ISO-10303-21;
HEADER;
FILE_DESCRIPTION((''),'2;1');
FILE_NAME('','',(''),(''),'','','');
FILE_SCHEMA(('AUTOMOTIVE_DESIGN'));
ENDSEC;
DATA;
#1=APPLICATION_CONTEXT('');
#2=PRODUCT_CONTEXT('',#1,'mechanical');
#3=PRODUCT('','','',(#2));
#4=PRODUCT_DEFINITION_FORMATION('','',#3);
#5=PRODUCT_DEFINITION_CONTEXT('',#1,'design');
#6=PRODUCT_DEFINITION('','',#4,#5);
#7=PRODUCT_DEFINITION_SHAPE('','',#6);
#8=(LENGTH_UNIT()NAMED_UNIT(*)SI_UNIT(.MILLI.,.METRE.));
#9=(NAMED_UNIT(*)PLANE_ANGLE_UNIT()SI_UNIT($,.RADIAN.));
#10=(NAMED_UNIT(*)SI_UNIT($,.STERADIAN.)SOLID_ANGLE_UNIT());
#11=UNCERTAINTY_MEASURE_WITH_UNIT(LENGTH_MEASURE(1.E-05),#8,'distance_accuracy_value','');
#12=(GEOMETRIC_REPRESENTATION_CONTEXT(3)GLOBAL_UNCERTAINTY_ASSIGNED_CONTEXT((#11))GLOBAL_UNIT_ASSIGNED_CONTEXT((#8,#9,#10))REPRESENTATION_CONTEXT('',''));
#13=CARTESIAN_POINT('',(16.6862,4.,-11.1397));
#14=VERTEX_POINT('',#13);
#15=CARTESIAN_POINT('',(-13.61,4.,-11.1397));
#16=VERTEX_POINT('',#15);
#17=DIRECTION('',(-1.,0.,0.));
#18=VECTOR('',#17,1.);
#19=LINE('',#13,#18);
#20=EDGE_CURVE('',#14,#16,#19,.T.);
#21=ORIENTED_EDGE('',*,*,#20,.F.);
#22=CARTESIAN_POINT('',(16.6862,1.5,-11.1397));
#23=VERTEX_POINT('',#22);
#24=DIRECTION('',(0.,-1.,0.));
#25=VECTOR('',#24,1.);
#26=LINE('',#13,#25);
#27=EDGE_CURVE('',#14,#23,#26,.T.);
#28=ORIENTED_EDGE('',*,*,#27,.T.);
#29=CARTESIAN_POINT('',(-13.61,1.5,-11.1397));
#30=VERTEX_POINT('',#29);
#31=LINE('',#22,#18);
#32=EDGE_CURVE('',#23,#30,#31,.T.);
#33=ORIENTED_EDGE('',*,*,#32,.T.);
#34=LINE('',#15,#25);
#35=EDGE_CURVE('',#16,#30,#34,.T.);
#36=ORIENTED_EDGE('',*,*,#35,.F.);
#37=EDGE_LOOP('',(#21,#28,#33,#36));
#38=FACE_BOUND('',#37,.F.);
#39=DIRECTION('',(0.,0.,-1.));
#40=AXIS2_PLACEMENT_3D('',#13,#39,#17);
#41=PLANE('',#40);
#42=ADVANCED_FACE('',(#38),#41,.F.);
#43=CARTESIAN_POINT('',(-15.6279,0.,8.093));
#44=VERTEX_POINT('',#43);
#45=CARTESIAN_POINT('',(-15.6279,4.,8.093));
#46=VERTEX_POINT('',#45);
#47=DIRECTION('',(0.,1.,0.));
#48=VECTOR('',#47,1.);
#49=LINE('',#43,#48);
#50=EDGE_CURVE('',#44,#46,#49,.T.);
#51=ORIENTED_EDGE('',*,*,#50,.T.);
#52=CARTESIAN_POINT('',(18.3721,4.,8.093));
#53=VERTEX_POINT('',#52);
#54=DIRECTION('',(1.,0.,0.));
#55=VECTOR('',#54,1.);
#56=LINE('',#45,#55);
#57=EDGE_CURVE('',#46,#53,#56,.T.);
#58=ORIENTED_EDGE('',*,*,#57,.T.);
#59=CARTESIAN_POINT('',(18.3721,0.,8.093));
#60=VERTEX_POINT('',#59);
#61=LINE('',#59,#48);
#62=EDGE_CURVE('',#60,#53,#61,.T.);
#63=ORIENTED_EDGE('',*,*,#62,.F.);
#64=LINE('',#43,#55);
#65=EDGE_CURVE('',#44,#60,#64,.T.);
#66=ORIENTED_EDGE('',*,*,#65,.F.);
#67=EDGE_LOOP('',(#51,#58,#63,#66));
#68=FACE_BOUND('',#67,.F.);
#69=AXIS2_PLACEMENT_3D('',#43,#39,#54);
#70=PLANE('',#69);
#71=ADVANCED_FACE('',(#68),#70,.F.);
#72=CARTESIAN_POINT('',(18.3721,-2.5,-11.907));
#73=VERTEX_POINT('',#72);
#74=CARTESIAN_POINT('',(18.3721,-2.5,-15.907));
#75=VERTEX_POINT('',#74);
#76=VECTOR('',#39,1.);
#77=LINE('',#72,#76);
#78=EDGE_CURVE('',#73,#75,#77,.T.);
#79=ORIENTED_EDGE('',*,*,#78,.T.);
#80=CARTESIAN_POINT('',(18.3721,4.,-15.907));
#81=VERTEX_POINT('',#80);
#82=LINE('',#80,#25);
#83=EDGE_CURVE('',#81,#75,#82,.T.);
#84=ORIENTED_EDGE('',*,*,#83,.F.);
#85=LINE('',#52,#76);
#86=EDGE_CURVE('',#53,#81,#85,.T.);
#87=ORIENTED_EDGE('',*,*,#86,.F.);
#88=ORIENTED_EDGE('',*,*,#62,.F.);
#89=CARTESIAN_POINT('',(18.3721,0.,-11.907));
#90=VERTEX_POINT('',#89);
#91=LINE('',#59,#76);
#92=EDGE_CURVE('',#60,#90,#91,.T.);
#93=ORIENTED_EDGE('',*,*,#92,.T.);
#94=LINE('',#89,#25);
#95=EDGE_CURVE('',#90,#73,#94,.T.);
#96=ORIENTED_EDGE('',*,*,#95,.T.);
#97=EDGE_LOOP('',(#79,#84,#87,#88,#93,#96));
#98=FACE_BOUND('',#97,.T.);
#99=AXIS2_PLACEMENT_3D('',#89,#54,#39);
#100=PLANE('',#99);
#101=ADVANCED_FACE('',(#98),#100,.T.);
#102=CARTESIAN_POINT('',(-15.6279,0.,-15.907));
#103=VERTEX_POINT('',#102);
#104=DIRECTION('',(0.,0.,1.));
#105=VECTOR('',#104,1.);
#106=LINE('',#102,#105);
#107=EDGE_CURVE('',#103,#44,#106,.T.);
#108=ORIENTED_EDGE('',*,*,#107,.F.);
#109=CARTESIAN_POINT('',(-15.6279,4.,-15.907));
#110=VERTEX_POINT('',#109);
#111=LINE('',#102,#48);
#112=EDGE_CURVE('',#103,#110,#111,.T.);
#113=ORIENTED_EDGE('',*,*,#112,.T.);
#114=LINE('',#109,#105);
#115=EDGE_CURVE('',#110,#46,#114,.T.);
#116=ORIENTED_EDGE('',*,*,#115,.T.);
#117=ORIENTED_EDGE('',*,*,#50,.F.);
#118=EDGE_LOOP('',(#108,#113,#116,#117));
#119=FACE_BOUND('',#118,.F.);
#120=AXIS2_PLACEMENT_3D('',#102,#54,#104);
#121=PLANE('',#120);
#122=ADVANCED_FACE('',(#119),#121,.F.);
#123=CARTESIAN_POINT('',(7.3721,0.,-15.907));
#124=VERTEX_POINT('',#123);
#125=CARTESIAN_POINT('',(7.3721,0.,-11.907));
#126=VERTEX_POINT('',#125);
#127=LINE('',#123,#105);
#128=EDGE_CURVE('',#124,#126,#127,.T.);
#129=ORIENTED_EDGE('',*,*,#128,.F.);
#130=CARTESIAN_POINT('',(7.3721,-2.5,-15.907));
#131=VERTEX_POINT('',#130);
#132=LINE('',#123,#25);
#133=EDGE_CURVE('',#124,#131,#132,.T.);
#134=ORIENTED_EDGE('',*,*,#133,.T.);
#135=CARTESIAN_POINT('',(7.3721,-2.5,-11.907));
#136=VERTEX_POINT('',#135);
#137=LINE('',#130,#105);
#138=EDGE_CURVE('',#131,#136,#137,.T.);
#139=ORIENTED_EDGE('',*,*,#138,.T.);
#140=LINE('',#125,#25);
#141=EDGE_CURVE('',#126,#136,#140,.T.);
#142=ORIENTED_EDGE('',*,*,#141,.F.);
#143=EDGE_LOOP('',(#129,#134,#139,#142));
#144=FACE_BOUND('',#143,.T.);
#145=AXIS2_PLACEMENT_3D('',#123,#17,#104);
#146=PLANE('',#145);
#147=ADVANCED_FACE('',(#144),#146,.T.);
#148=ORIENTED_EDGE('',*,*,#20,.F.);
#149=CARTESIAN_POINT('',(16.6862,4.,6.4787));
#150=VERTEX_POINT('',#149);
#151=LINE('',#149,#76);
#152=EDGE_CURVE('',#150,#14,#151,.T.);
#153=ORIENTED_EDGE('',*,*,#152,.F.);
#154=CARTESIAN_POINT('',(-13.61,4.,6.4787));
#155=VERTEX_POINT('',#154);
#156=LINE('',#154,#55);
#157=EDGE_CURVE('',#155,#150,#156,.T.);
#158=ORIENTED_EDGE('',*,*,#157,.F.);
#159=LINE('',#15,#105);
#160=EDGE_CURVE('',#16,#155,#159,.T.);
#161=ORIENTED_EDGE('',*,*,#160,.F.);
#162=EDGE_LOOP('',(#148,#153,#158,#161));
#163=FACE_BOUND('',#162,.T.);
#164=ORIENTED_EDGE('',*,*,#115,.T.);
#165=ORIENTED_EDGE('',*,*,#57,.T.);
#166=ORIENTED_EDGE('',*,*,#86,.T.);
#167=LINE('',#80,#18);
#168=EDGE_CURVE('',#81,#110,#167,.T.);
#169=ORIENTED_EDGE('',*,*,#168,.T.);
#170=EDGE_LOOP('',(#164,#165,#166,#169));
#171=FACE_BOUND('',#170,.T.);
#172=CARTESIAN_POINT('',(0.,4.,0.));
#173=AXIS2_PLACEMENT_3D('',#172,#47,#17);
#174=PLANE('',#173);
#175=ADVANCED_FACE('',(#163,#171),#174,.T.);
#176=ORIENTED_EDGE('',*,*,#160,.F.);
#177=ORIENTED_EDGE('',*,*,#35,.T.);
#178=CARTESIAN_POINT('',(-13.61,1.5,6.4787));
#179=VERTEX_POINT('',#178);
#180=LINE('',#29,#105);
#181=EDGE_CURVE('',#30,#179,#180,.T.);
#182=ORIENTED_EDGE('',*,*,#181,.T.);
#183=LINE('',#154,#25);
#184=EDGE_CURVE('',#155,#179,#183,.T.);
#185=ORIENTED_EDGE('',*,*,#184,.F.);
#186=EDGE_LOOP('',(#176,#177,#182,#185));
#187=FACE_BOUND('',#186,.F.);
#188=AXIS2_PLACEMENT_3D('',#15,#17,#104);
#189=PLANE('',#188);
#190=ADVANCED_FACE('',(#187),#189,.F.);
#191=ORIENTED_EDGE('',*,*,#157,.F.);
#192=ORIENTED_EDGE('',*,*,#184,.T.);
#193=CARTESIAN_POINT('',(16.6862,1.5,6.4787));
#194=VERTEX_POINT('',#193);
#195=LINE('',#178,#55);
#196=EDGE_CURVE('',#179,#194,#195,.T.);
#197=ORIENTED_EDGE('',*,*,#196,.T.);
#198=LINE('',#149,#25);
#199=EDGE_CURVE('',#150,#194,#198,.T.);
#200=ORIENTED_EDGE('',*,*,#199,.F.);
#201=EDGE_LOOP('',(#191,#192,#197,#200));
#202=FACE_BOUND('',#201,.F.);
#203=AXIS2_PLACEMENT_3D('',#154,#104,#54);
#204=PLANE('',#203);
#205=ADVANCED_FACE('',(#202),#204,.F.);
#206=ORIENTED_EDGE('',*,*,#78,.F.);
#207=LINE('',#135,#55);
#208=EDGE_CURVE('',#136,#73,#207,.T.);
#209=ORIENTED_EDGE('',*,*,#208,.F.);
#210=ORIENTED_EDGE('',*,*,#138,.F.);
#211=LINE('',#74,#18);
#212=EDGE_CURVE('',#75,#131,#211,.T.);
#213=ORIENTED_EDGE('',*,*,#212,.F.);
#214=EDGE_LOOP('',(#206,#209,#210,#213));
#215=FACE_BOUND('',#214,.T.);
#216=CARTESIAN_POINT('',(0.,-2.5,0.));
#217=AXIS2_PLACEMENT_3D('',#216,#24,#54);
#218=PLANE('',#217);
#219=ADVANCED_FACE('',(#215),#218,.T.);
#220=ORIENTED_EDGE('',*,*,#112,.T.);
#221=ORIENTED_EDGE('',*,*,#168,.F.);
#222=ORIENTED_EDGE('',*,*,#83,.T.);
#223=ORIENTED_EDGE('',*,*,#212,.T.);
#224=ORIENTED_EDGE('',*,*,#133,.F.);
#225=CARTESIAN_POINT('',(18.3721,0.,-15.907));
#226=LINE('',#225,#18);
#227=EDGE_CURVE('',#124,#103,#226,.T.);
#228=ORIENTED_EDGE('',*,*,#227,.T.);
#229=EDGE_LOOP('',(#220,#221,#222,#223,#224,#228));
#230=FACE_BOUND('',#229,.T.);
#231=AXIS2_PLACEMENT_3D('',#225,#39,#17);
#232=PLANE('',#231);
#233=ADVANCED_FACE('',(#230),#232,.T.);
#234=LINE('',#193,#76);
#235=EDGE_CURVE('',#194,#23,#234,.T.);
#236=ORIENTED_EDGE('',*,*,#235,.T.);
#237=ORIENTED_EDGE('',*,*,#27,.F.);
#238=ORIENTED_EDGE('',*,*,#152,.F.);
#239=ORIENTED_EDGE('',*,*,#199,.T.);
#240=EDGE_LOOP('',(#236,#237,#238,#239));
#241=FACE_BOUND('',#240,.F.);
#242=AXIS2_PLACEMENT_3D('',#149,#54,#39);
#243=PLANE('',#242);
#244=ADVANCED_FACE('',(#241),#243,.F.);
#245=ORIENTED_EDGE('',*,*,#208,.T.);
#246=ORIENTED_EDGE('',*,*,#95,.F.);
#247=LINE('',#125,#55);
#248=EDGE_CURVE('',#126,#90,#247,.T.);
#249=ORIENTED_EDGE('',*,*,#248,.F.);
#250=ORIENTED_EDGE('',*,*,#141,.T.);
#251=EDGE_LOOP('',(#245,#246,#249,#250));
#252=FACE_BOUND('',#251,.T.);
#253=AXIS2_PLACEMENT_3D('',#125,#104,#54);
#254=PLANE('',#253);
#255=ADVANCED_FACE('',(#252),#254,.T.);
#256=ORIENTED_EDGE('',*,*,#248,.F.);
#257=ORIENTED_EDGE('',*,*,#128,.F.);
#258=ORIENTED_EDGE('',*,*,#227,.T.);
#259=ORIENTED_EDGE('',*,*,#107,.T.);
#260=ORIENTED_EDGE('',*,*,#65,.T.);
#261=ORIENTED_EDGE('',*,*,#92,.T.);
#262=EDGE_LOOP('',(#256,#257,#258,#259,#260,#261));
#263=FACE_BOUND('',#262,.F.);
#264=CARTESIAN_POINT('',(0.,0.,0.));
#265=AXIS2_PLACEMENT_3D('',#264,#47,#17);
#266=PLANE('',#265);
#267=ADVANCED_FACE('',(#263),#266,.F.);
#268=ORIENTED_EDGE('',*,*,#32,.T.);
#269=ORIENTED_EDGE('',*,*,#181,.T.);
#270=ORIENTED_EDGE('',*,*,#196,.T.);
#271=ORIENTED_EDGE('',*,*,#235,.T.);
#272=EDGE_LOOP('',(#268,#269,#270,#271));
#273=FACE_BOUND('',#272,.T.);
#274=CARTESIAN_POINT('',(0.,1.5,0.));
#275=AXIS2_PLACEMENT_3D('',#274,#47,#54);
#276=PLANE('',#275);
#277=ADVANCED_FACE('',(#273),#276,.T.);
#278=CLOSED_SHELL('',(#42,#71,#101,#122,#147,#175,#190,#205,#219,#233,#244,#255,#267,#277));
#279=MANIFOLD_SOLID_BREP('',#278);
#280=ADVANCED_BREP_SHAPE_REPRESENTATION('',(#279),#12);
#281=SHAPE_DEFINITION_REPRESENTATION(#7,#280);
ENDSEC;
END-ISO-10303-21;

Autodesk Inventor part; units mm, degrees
ref_plane "YZ Plane" through (0, 0, 0) normal (1, 0, 0) x (0, 1, 0)
ref_plane "XZ Plane" through (0, 0, 0) normal (0, 1, 0) x (-1, 0, 0)
ref_plane "XY Plane" through (0, 0, 0) normal (0, 0, 1) x (1, 0, 0)
sketch "Sketch1" plane through (0, 0, 0) normal (0, 1, 0) x (-1, 0, 0)
  line L0 (15.6279, 8.093) -> (-18.3721, 8.093)
  line L1 (-18.3721, 8.093) -> (-18.3721, -15.907)
  line L2 (-18.3721, -15.907) -> (15.6279, -15.907)
  line L3 (15.6279, -15.907) -> (15.6279, 8.093)
  point P0 (0, 0)
  dimension "d0" = 24
  dimension "d1" = 34
extrude "Extrusion1" add sketch "Sketch1" along normal blind 4
sketch "Sketch2" plane through (0, 4, 0) normal (0, 1, 0) x (1, 0, 0)
  line L0 (-13.61, -6.4787) -> (16.6862, -6.4787)
  line L1 (16.6862, -6.4787) -> (16.6862, 11.1397)
  line L2 (16.6862, 11.1397) -> (-13.61, 11.1397)
  line L3 (-13.61, 11.1397) -> (-13.61, -6.4787)
  point P0 (0, 0)
extrude "Extrusion2" cut sketch "Sketch2" against normal blind 2.5
sketch "Sketch3" plane through (0, 0, 0) normal (0, -1, 0) x (1, 0, 0)
  line L0 (18.3721, -15.907) -> (-15.6279, -15.907) projected
  line L1 (18.3721, -15.907) -> (7.3721, -15.907)
  line L2 (7.3721, -15.907) -> (7.3721, -11.907)
  line L3 (7.3721, -11.907) -> (18.3721, -11.907)
  line L4 (18.3721, -11.907) -> (18.3721, -15.907)
  point P0 (0, 0)
  dimension "d6" = 11
  dimension "d7" = 4
extrude "Extrusion3" add sketch "Sketch3" along normal blind 2.5
properties part number "charger"
